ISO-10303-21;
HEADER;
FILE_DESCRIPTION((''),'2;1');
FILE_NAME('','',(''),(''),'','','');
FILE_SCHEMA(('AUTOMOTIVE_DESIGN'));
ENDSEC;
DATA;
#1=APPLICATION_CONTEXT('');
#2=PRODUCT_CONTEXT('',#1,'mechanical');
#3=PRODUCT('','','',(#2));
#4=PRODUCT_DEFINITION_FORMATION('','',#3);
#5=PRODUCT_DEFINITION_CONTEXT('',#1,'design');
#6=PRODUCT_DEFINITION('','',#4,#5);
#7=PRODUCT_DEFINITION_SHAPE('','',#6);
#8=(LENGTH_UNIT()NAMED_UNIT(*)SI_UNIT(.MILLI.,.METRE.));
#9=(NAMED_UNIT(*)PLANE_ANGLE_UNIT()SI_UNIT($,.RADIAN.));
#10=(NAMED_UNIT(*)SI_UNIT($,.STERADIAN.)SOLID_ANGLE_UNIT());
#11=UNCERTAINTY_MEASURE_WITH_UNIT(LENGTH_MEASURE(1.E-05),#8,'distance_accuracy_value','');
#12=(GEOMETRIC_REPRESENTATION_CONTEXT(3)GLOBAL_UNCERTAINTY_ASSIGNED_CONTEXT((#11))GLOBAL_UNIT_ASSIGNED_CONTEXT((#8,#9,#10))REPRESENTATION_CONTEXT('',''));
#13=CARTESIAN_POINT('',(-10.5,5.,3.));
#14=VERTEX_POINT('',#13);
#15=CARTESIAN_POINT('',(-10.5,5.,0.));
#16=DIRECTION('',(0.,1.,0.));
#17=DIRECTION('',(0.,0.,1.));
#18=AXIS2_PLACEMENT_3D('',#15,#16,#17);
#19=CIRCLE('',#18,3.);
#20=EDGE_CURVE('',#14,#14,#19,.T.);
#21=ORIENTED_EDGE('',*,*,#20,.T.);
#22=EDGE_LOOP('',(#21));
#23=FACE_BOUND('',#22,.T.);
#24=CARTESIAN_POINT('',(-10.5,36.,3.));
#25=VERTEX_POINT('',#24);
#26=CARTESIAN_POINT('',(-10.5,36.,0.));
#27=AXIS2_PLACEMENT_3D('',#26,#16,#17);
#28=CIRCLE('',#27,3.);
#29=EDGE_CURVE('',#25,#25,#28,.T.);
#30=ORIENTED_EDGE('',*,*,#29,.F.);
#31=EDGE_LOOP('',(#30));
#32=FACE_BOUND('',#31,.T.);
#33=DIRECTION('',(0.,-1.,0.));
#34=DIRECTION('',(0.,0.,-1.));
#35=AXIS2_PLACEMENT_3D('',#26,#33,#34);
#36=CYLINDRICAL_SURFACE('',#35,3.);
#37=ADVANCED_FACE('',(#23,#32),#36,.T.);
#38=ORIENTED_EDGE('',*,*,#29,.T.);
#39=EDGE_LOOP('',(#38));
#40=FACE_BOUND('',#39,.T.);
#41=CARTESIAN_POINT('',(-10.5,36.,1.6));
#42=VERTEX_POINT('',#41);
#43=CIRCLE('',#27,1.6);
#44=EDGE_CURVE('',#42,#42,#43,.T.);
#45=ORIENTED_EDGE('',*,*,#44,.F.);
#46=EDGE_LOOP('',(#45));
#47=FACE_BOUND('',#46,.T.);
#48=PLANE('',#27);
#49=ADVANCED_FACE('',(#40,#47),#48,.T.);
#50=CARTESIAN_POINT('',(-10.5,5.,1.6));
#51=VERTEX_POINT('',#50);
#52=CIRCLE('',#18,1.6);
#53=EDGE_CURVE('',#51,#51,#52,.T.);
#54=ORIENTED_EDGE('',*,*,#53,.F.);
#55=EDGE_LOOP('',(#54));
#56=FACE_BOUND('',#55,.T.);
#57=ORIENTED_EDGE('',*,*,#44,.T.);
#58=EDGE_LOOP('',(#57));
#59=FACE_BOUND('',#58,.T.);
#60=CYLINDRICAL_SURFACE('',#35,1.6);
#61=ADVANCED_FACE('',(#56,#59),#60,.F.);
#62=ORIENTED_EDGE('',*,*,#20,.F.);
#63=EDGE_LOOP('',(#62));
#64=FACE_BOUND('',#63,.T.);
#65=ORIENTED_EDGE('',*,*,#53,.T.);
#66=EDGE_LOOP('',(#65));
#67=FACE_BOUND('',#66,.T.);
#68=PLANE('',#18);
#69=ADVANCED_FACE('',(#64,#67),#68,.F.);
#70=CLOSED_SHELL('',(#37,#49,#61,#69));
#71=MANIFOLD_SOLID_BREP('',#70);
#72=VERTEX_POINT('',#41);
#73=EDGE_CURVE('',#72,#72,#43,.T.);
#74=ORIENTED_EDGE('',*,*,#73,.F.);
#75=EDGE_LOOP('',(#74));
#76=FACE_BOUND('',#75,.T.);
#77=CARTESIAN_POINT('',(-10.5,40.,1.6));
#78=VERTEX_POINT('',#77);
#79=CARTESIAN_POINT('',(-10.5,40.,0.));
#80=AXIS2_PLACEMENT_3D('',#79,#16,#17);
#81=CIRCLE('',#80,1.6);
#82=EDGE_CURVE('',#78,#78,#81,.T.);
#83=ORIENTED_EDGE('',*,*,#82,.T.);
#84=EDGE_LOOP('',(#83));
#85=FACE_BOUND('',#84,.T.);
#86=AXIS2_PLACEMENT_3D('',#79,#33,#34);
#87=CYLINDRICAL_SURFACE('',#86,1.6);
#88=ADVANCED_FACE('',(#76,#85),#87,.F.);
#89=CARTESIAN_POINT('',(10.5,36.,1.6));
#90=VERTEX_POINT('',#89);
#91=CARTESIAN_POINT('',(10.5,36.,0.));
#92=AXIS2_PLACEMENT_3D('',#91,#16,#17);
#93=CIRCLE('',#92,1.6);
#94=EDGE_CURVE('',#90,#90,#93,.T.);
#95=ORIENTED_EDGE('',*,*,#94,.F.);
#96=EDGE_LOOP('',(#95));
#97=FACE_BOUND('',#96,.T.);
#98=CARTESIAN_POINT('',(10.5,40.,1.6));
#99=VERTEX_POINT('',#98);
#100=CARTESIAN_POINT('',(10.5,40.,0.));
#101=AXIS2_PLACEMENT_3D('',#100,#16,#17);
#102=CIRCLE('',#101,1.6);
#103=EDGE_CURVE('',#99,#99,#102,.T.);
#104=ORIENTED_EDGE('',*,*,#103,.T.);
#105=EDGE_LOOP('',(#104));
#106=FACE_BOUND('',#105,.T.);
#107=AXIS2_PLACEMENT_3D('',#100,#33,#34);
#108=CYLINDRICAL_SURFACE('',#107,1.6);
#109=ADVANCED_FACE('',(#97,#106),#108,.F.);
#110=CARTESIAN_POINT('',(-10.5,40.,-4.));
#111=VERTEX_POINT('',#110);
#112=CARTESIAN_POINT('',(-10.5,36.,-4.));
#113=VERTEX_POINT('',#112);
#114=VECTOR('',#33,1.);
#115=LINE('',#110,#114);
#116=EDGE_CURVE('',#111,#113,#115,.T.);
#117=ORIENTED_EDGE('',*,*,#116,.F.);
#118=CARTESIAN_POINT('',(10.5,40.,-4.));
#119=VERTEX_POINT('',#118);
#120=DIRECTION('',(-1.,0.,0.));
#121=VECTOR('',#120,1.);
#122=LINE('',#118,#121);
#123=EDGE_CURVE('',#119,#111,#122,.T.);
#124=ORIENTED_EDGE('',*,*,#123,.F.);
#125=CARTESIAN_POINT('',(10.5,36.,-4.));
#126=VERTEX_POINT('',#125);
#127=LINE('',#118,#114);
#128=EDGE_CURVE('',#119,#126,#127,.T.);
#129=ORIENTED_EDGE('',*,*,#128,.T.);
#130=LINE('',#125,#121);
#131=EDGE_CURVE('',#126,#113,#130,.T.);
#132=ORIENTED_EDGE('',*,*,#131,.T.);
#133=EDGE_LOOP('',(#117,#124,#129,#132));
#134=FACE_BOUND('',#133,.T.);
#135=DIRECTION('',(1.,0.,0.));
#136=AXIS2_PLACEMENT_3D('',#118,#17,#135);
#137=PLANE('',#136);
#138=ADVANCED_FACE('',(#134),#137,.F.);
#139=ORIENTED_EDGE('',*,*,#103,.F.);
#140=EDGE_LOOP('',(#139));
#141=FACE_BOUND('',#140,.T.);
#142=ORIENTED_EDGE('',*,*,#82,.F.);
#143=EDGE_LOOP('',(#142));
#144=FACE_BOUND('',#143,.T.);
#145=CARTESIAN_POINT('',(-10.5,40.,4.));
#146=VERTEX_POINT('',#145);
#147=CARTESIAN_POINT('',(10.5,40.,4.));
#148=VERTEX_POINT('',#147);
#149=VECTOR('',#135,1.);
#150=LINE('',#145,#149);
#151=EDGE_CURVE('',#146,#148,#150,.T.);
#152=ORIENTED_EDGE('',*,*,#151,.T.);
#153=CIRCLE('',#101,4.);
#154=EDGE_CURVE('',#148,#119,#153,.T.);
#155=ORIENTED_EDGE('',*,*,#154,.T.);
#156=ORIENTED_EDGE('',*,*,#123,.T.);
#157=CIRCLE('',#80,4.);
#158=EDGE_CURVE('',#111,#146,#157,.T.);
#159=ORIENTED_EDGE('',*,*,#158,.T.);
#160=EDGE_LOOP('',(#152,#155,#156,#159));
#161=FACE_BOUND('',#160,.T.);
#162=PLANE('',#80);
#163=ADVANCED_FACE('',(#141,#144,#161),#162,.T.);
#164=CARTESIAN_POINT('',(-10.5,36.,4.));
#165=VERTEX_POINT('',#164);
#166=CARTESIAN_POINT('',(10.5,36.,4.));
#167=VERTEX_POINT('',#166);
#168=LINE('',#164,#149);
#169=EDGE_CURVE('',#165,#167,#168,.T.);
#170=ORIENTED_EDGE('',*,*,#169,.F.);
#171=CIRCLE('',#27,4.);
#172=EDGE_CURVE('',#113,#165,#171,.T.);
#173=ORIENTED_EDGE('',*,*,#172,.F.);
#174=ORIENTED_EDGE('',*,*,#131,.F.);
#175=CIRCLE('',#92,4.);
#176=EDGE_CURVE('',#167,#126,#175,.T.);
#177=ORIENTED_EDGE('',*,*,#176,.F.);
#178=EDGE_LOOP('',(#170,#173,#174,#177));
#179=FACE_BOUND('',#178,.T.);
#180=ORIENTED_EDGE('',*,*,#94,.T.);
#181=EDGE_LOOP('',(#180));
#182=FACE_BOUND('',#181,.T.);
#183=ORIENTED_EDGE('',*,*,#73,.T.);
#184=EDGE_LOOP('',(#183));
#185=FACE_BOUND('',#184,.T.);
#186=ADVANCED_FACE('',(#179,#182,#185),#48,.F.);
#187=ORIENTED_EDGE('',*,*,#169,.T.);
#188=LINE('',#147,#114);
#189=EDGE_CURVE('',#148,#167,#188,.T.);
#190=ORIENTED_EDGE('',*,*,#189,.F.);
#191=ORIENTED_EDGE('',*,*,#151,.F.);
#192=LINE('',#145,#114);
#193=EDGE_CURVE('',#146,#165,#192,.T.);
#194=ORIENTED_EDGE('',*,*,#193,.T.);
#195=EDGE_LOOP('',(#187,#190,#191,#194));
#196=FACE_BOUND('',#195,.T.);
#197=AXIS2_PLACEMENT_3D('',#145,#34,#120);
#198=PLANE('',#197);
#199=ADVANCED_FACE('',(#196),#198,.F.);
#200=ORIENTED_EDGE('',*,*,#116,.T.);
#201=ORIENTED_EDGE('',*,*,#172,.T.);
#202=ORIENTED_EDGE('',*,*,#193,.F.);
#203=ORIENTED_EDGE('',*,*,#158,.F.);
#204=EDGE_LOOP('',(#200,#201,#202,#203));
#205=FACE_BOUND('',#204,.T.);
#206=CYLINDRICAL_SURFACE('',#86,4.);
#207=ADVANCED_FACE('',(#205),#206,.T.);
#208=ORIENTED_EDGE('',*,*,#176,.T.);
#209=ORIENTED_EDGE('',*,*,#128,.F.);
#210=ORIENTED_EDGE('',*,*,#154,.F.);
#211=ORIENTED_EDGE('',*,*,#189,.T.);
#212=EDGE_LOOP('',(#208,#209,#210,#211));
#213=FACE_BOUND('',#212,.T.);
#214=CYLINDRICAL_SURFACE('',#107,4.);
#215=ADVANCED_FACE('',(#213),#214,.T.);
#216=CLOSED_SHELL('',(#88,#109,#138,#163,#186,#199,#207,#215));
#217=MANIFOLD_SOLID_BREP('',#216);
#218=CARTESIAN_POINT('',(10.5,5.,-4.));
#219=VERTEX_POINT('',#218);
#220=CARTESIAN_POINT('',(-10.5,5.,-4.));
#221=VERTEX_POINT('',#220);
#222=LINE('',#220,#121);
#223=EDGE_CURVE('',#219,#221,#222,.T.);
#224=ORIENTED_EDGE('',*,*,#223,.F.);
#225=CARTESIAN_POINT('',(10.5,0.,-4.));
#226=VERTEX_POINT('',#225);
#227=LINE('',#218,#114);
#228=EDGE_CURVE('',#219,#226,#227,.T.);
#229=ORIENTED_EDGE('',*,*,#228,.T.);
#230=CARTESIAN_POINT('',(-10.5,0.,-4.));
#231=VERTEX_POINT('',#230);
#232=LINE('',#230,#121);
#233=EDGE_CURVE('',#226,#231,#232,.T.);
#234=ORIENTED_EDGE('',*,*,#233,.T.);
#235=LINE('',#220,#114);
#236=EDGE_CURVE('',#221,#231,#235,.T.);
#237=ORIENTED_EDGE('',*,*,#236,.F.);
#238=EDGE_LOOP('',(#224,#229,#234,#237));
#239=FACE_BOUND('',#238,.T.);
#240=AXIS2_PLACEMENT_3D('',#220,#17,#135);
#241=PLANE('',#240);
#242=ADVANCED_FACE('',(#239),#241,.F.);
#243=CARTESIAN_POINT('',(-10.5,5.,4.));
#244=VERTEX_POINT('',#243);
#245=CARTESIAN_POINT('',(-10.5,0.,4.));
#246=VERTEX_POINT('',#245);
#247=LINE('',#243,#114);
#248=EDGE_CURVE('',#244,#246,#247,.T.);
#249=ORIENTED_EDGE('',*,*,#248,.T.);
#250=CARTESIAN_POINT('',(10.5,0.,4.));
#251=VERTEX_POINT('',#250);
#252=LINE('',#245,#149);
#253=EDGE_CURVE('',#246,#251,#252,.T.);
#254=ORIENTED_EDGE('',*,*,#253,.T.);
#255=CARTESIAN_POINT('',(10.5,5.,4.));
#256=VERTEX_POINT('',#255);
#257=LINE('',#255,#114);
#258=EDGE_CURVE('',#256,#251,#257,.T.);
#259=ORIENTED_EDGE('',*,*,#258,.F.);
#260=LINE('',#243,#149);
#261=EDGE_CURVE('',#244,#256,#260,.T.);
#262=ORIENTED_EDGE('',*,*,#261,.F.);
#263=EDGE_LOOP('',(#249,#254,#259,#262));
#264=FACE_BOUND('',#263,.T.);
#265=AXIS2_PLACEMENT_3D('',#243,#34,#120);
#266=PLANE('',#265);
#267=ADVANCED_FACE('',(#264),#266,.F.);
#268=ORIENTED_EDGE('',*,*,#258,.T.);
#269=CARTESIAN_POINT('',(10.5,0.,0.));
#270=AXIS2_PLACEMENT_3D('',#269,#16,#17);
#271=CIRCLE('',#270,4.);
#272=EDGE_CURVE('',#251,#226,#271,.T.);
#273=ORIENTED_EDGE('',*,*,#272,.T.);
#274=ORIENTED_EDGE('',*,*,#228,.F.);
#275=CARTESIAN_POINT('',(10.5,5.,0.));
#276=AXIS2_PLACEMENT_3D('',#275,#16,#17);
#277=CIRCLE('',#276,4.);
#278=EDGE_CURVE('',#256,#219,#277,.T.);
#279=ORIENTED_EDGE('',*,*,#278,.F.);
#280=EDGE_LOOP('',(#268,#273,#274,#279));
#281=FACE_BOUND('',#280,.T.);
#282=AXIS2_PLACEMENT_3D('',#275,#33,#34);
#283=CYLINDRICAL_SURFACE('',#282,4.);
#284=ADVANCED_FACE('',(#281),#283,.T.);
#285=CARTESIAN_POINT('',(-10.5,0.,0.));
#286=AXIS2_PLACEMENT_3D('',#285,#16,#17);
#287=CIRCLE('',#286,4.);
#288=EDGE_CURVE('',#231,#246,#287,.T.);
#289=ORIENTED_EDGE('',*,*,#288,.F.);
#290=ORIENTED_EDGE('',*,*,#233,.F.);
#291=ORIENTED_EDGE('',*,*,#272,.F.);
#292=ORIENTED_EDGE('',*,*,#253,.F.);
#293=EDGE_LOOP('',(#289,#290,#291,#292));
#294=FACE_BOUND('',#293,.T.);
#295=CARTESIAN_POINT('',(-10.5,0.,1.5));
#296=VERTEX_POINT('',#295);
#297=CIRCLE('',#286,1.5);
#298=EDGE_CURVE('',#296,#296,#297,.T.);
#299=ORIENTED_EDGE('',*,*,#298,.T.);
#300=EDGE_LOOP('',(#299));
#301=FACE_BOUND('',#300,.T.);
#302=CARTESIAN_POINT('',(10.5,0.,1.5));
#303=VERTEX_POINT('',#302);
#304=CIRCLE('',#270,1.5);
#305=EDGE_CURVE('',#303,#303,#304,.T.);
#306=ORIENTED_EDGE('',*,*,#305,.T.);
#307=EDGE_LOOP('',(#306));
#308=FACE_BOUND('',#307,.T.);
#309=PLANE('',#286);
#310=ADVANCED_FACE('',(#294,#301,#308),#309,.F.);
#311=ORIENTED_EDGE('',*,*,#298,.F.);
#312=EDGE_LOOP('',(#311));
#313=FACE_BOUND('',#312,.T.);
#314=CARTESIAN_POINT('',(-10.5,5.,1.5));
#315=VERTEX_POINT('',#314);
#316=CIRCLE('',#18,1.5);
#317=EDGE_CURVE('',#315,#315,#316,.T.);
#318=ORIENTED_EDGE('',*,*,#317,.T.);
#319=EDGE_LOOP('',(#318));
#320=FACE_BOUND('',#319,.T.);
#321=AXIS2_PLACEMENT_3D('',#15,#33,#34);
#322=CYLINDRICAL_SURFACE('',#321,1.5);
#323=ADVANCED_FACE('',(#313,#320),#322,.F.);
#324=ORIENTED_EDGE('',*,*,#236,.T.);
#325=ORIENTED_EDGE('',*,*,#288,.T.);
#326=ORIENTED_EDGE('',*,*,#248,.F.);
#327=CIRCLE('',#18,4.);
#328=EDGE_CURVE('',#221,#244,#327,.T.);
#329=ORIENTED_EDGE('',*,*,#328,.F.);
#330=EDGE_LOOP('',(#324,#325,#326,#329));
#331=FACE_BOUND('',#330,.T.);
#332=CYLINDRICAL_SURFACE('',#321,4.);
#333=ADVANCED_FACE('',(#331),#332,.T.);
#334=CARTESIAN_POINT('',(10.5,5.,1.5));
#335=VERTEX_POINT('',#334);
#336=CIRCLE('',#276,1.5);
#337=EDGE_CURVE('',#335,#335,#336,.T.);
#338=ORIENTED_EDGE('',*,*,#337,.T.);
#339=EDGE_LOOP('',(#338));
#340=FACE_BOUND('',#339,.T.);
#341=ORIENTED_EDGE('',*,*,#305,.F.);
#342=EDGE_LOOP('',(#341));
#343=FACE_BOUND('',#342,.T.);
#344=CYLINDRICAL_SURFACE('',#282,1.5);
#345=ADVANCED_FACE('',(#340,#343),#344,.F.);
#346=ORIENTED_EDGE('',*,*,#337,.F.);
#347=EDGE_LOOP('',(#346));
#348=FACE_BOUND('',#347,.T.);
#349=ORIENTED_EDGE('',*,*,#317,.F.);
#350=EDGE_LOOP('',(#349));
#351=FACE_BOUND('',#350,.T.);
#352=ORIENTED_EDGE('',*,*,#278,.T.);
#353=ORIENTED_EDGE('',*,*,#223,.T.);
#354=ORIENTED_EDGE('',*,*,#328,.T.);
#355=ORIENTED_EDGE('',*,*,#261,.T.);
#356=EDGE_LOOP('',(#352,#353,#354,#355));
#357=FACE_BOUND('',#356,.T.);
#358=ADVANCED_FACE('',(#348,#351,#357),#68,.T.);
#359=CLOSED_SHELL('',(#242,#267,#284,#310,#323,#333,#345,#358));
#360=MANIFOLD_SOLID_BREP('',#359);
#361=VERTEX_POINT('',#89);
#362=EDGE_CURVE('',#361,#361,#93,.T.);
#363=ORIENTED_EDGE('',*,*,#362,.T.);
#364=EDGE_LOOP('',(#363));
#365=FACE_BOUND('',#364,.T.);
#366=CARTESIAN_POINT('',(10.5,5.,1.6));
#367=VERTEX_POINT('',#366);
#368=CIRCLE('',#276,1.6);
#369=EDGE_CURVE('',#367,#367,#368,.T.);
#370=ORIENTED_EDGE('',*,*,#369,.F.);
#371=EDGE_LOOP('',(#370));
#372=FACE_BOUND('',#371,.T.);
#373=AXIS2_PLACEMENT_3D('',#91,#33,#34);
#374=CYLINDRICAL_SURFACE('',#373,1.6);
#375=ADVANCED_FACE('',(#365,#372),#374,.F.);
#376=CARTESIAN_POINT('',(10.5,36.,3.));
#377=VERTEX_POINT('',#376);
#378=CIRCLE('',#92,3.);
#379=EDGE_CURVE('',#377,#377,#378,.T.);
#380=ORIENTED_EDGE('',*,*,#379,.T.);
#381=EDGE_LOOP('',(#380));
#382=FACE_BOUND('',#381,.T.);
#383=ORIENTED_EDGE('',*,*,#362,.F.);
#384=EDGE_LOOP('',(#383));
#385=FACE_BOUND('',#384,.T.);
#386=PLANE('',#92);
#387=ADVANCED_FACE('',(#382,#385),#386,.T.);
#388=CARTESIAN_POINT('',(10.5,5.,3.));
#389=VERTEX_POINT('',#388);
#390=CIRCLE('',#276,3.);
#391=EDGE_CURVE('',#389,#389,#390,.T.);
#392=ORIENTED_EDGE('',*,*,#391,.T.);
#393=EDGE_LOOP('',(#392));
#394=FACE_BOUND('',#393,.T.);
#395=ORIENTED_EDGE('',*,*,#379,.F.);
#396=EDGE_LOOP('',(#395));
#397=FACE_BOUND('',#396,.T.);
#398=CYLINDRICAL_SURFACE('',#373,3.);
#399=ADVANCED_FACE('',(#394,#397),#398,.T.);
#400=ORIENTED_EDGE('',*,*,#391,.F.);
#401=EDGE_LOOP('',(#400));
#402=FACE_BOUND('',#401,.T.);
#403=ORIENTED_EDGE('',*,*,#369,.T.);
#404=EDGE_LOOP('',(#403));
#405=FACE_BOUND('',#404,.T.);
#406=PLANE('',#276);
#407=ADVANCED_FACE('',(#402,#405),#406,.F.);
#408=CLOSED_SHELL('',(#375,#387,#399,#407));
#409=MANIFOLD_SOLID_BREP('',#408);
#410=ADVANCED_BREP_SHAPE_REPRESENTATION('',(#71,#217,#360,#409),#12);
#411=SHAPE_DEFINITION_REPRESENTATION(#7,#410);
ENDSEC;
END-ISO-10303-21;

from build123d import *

# Parameters (mm, degrees)
SKETCH_1_R        = 1.5
EXTRUDE_1_DEPTH   = 5
SKETCH_2_R        = 3
SKETCH_2_R_2      = 1.6
EXTRUDE_2_DEPTH   = 31
EXTRUDE_2_2_DEPTH = 31
SKETCH_3_R        = 1.6
EXTRUDE_3_DEPTH   = 4


with BuildPart() as part:
    # ｽｹｯﾁ1 → ﾎﾞｽ - 押し出し1 (new body)
    with BuildSketch(Plane(origin=(0, 0, 0), x_dir=(1, 0, 0), z_dir=(0, 1, 0))):
        with BuildLine():
            Line((-10.5, 4), (10.5, 4))
            ThreePointArc((10.5, 4), (14.5, 0), (10.5, -4))
            Line((10.5, -4), (-10.5, -4))
            ThreePointArc((-10.5, -4), (-14.5, 0), (-10.5, 4))
        make_face()
        with Locations(Location((-10.5, 0, 0), (0, 0, 270))):
            Circle(SKETCH_1_R, mode=Mode.SUBTRACT)
        with Locations(Location((10.5, 0, 0), (0, 0, 270))):
            Circle(SKETCH_1_R, mode=Mode.SUBTRACT)
    extrude(amount=EXTRUDE_1_DEPTH)


with BuildPart() as body_2:
    # ｽｹｯﾁ2 → ﾎﾞｽ - 押し出し2 (new body)
    with BuildSketch(Plane(origin=(0, 5, 0), x_dir=(1, 0, 0), z_dir=(0, 1, 0))):
        with Locations(Location((-10.5, 0, 0), (0, 0, 270))):
            Circle(SKETCH_2_R)
        with Locations(Location((-10.5, 0, 0), (0, 0, 270))):
            Circle(SKETCH_2_R_2, mode=Mode.SUBTRACT)
    extrude(amount=EXTRUDE_2_DEPTH)


with BuildPart() as body_3:
    # ｽｹｯﾁ2 → Extrude 2 2 (new body)
    with BuildSketch(Plane(origin=(0, 5, 0), x_dir=(1, 0, 0), z_dir=(0, 1, 0))):
        with Locations(Location((10.5, 0, 0), (0, 0, 270))):
            Circle(SKETCH_2_R)
        with Locations(Location((10.5, 0, 0), (0, 0, 270))):
            Circle(SKETCH_2_R_2, mode=Mode.SUBTRACT)
    extrude(amount=EXTRUDE_2_2_DEPTH)


with BuildPart() as body_4:
    # ｽｹｯﾁ3 → ﾎﾞｽ - 押し出し3 (new body)
    with BuildSketch(Plane(origin=(0, 36, 0), x_dir=(1, 0, 0), z_dir=(0, 1, 0))):
        with BuildLine():
            Line((-10.5, -4), (10.5, -4))
            ThreePointArc((10.5, -4), (14.5, 0), (10.5, 4))
            Line((10.5, 4), (-10.5, 4))
            ThreePointArc((-10.5, 4), (-14.5, 0), (-10.5, -4))
        make_face()
        with Locations(Location((10.5, 0, 0), (0, 0, 270))):
            Circle(SKETCH_3_R, mode=Mode.SUBTRACT)
        with Locations(Location((-10.5, 0, 0), (0, 0, 270))):
            Circle(SKETCH_3_R, mode=Mode.SUBTRACT)
    extrude(amount=EXTRUDE_3_DEPTH)


solid = Compound([part.part, body_2.part, body_3.part, body_4.part])
